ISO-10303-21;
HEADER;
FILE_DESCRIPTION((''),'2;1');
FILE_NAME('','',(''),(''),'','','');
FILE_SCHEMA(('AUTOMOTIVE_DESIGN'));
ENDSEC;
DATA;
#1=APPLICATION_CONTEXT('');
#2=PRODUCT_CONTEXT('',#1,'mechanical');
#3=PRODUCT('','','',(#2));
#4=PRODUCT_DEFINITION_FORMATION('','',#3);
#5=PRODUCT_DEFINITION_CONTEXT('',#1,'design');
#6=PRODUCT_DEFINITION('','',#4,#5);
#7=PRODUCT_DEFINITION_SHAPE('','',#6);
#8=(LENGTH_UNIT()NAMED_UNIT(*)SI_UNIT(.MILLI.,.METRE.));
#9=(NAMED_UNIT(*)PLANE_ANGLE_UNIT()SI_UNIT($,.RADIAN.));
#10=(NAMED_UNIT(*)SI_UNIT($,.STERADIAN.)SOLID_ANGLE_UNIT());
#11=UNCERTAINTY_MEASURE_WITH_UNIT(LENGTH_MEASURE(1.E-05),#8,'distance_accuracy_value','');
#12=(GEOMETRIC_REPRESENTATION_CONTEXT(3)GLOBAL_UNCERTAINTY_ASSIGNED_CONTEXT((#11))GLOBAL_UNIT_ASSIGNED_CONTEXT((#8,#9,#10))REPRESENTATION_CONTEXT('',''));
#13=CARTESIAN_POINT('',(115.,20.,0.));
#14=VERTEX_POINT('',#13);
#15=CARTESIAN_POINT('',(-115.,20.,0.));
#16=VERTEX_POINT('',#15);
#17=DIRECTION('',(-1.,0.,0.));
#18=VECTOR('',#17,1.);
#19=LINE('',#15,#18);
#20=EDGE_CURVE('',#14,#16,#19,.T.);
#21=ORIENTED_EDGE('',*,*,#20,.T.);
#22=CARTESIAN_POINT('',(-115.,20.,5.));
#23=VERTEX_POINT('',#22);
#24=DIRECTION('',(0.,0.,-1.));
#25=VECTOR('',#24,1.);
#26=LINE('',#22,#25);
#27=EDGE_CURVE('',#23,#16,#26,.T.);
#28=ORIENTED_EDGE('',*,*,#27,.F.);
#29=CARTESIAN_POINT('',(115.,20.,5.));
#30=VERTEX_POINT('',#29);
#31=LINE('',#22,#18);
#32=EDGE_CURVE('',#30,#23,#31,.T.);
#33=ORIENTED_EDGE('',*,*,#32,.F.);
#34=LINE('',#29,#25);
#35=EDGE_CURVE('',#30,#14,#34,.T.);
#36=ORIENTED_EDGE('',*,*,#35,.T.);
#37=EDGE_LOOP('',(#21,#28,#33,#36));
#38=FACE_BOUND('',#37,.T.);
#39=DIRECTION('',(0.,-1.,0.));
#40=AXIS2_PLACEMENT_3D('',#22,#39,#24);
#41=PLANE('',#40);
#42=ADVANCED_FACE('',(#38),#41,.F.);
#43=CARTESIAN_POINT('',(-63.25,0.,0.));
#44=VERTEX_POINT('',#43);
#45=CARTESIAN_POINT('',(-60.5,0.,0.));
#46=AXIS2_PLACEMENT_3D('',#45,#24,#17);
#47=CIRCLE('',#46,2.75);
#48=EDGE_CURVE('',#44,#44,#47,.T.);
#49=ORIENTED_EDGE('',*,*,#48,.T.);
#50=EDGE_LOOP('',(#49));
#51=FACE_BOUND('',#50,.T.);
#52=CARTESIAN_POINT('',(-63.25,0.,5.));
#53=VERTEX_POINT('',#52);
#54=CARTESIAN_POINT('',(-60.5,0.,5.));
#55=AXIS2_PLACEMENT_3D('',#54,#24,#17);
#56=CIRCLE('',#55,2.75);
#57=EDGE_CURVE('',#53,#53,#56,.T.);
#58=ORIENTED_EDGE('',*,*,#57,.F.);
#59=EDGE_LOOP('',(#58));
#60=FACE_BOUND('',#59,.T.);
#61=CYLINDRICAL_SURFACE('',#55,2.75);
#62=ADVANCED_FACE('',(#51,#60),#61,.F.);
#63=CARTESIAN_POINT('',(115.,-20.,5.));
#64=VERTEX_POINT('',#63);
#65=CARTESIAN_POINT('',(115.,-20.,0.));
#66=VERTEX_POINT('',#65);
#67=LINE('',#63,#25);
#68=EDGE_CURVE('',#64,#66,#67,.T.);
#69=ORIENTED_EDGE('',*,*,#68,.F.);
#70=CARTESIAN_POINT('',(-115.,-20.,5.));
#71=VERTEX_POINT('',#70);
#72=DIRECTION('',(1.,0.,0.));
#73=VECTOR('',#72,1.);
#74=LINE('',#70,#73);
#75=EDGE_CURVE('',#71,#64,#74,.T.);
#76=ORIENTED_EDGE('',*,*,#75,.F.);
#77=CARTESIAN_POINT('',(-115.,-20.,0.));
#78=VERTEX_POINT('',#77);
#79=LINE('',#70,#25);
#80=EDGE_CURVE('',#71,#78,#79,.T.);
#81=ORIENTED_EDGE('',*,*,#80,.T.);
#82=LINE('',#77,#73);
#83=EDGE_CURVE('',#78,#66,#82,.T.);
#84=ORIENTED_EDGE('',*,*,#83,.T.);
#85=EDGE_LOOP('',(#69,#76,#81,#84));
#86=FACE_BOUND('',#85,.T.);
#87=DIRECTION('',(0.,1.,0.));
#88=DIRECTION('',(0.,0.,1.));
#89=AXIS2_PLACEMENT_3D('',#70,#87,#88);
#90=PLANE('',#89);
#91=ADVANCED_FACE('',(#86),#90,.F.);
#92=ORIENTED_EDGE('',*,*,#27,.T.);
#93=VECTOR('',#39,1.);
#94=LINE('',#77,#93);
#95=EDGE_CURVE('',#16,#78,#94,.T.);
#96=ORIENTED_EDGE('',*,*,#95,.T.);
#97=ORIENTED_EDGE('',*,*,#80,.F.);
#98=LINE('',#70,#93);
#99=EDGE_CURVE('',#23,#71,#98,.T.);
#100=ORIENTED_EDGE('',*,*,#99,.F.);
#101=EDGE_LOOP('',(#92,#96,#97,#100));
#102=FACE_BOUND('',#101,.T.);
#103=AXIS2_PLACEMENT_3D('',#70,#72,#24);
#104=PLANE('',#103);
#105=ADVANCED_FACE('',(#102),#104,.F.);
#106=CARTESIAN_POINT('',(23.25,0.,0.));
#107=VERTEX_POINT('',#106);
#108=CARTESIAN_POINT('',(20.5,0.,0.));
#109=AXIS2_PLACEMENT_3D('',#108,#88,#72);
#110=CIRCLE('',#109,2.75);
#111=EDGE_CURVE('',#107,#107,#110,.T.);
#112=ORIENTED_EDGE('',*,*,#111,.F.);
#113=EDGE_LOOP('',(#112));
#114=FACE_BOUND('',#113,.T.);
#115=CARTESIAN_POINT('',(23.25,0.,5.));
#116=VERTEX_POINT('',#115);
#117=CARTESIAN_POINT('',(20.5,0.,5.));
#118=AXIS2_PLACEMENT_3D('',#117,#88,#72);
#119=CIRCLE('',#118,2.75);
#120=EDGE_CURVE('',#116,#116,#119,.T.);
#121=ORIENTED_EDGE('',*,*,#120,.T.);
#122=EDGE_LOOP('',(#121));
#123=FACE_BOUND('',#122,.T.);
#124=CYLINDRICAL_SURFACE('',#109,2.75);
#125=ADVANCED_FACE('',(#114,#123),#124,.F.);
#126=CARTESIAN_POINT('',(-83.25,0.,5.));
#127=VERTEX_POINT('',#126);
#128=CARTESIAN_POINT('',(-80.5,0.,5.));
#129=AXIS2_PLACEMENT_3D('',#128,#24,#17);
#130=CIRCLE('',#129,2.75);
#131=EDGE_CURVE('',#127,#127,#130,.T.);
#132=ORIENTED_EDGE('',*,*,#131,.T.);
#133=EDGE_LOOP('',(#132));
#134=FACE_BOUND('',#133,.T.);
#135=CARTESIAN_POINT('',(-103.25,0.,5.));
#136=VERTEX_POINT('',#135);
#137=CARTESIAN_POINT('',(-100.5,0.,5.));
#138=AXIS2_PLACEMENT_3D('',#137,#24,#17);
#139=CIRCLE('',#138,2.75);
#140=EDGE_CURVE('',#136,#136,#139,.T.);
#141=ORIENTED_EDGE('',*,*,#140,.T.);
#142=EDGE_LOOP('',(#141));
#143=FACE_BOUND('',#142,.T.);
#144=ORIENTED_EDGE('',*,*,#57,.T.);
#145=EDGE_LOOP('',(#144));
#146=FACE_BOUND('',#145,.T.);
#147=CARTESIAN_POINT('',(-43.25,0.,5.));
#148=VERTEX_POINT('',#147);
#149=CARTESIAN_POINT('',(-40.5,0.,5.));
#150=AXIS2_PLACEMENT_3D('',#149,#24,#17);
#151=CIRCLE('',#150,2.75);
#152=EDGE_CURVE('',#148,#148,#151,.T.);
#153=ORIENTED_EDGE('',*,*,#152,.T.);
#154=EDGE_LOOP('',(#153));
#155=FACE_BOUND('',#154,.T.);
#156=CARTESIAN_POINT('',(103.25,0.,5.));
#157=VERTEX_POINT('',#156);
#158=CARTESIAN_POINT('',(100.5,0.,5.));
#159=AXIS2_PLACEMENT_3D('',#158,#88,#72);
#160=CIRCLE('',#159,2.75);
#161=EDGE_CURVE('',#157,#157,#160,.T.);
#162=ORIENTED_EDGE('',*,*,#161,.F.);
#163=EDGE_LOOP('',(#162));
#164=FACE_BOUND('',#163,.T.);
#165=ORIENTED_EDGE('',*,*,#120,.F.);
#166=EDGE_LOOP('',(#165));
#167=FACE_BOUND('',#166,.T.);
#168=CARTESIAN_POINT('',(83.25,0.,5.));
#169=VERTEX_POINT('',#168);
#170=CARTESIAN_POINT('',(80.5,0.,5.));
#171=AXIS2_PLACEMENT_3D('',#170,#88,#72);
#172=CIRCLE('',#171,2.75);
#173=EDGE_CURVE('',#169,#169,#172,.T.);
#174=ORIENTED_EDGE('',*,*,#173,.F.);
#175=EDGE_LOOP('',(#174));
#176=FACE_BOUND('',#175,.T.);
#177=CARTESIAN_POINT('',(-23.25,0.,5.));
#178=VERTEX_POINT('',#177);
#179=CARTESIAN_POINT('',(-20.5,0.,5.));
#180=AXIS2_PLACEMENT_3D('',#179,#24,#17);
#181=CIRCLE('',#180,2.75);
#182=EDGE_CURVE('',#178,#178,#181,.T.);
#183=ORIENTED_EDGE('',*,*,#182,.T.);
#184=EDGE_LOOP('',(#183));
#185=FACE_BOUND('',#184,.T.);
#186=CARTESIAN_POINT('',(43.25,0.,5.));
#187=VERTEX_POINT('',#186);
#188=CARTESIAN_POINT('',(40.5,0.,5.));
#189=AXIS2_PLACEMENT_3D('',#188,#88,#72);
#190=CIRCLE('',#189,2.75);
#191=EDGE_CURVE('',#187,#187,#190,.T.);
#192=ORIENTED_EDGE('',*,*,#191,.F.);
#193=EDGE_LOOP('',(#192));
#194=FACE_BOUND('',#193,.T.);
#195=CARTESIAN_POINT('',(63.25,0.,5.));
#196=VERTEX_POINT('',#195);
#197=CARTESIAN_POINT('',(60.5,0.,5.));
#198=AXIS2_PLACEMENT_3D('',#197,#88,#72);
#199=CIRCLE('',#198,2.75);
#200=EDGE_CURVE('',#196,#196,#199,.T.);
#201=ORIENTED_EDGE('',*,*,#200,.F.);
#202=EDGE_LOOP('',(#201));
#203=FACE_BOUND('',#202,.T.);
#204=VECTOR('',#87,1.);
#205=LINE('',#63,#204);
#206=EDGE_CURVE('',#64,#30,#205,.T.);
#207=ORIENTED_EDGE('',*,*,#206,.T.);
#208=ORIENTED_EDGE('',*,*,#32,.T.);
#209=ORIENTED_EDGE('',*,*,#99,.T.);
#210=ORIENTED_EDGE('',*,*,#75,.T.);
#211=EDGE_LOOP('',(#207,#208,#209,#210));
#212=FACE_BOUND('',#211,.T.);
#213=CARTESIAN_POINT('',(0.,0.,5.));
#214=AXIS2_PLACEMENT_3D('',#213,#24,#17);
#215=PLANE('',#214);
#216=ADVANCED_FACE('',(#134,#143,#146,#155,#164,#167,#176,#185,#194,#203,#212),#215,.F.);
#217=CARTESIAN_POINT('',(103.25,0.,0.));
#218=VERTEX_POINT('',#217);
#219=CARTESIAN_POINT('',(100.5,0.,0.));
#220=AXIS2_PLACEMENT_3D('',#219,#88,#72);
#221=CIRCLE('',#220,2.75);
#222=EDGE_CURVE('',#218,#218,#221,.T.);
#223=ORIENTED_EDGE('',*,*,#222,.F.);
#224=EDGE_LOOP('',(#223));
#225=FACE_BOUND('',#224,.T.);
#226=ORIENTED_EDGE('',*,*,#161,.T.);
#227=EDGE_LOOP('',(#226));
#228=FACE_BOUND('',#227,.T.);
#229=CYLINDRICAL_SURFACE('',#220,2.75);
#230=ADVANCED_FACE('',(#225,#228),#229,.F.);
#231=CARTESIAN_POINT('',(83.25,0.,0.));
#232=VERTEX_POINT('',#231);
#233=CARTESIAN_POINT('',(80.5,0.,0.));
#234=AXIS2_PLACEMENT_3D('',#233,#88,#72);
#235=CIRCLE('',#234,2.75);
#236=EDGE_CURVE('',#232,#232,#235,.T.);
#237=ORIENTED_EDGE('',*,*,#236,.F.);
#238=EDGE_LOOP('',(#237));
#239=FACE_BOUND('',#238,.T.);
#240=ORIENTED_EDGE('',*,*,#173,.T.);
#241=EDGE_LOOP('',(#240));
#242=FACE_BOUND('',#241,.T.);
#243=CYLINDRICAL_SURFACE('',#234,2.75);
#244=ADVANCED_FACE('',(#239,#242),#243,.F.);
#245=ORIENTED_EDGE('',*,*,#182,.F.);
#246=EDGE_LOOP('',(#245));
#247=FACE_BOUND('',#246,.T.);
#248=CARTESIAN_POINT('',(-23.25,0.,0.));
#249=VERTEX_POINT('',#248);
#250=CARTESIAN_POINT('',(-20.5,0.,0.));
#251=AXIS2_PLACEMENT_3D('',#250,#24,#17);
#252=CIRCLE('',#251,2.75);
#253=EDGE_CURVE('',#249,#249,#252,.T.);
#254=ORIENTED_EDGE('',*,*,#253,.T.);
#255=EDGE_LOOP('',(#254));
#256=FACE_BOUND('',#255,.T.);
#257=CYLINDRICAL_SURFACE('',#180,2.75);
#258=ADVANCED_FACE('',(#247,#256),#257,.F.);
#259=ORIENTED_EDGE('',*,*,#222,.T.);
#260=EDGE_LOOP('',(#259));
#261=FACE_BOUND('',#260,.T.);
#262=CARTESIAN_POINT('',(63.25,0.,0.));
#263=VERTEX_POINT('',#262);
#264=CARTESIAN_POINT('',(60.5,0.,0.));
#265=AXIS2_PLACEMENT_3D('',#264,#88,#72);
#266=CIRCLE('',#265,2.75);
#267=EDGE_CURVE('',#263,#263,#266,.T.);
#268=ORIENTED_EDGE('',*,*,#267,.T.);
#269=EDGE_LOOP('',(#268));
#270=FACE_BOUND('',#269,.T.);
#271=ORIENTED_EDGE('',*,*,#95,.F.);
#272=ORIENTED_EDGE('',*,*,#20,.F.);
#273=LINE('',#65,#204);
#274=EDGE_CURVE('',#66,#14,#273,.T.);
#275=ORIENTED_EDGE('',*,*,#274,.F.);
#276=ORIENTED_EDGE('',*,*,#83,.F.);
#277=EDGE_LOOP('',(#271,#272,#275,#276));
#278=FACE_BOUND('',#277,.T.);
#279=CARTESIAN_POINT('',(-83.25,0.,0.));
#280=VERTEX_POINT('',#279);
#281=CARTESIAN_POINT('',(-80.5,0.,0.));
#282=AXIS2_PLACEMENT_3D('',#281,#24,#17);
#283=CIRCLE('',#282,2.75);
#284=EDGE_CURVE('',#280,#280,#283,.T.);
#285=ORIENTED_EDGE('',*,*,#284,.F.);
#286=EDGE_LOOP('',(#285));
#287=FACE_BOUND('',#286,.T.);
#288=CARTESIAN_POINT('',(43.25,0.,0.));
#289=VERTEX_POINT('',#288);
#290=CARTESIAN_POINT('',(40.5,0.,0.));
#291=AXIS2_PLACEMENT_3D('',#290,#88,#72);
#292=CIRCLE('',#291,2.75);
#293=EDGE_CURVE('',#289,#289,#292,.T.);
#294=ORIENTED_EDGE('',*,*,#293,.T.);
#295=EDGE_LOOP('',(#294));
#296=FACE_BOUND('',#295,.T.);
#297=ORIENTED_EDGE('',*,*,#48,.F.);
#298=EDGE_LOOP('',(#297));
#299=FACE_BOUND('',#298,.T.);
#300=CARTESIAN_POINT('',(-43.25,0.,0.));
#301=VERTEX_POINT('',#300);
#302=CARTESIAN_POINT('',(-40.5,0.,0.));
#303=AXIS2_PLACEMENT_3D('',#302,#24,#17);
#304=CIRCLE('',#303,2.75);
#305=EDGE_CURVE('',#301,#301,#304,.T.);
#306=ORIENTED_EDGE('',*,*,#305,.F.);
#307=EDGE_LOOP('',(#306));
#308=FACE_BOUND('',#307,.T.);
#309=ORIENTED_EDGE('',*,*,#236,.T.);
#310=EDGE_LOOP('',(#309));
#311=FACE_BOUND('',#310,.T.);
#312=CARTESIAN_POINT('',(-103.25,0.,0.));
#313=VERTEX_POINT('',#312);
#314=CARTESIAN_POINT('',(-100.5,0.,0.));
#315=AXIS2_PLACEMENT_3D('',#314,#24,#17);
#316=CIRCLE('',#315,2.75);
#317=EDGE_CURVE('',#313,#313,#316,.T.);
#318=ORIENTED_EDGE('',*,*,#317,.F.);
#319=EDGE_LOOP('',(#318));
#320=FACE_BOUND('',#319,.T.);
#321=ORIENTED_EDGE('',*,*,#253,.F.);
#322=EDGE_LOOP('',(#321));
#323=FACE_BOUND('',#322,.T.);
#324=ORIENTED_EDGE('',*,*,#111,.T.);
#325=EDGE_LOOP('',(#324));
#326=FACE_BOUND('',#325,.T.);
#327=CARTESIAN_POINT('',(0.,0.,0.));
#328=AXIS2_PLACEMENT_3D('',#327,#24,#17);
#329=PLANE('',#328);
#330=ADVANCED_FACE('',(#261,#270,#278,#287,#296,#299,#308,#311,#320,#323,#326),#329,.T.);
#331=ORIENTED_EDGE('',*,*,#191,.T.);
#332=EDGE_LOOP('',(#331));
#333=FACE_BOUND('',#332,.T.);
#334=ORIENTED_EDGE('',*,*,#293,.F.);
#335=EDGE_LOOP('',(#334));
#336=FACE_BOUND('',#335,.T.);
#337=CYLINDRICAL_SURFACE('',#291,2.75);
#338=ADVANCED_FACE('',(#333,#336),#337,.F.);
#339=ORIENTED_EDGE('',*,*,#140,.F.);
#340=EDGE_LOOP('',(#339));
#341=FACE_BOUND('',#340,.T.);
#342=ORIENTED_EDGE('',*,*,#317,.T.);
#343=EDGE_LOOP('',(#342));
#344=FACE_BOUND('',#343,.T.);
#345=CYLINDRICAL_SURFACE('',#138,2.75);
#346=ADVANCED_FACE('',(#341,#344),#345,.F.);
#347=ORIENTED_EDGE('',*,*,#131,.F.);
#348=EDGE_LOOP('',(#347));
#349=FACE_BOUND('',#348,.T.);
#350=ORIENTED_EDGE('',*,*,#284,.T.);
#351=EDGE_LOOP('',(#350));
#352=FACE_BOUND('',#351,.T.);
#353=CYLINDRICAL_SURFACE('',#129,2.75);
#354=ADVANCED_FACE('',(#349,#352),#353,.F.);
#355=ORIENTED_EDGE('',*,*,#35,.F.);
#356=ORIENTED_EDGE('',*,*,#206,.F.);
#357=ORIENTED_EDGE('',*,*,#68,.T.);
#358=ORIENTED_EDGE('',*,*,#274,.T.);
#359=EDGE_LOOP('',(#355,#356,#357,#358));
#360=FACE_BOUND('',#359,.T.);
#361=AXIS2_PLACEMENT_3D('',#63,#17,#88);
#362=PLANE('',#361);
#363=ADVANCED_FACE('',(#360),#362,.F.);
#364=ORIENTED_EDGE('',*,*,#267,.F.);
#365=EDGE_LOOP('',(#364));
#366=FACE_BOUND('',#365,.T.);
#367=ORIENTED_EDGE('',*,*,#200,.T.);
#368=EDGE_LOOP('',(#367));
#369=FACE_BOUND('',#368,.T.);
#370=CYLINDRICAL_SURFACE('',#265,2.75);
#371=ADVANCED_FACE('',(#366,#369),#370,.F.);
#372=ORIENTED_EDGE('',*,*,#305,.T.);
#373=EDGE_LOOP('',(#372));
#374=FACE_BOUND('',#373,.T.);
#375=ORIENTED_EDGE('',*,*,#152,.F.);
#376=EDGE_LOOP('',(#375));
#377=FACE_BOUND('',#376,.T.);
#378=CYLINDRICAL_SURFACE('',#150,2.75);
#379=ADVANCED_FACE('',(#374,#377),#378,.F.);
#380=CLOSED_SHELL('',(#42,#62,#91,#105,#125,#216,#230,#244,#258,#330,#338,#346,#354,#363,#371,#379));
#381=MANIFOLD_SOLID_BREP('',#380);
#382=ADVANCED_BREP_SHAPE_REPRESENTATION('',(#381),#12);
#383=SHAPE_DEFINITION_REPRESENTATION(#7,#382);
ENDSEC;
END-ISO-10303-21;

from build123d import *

# Parameters (mm, degrees)
ESQUISSE1_W                = 230
ESQUISSE1_H                = 40
BOSS_EXTRU_1_DEPTH         = 5
ESQUISSE2_R                = 2.75
ENL_V_MAT_EXTRU_1_DEPTH    = 117.833214455
ESQUISSE8_R                = 2.75
ENL_V_MAT_EXTRU_2_DEPTH    = 5
R_P_TITION_LIN_AIRE2_COUNT = 5
R_P_TITION_LIN_AIRE2_PITCH = 20
R_P_TITION_LIN_AIRE3_COUNT = 5
R_P_TITION_LIN_AIRE3_PITCH = 20


with BuildPart() as part:
    # Esquisse1 → Boss.-Extru.1 (new body)
    with BuildSketch(Plane.XY):
        Rectangle(ESQUISSE1_W, ESQUISSE1_H)
    extrude(amount=BOSS_EXTRU_1_DEPTH)

    # Esquisse2 → Enlèv. mat.-Extru.1 (cut, through all)
    with BuildSketch(Plane.XY.offset(5)):
        with Locations((20.5, 0)):
            Circle(ESQUISSE2_R)
    enl_v_mat_extru_1 = extrude(amount=-ENL_V_MAT_EXTRU_1_DEPTH, mode=Mode.SUBTRACT)

    # Esquisse8 → Enlèv. mat.-Extru.2 (cut)
    with BuildSketch(Plane(origin=(0, 0, 0), x_dir=(-1, 0, 0), z_dir=(0, 0, -1))):
        with Locations((20.5, 0)):
            Circle(ESQUISSE8_R)
    enl_v_mat_extru_2 = extrude(amount=-ENL_V_MAT_EXTRU_2_DEPTH, mode=Mode.SUBTRACT)

    # Répétition linéaire2: Enlèv. mat.-Extru.1 ×5
    with Locations(*[(i * R_P_TITION_LIN_AIRE2_PITCH, 0, 0) for i in range(1, R_P_TITION_LIN_AIRE2_COUNT)]):
        add(enl_v_mat_extru_1, mode=Mode.SUBTRACT)

    # Répétition linéaire3: Enlèv. mat.-Extru.2 ×5
    with Locations(*[(-i * R_P_TITION_LIN_AIRE3_PITCH, 0, 0) for i in range(1, R_P_TITION_LIN_AIRE3_COUNT)]):
        add(enl_v_mat_extru_2, mode=Mode.SUBTRACT)


solid = part.part
